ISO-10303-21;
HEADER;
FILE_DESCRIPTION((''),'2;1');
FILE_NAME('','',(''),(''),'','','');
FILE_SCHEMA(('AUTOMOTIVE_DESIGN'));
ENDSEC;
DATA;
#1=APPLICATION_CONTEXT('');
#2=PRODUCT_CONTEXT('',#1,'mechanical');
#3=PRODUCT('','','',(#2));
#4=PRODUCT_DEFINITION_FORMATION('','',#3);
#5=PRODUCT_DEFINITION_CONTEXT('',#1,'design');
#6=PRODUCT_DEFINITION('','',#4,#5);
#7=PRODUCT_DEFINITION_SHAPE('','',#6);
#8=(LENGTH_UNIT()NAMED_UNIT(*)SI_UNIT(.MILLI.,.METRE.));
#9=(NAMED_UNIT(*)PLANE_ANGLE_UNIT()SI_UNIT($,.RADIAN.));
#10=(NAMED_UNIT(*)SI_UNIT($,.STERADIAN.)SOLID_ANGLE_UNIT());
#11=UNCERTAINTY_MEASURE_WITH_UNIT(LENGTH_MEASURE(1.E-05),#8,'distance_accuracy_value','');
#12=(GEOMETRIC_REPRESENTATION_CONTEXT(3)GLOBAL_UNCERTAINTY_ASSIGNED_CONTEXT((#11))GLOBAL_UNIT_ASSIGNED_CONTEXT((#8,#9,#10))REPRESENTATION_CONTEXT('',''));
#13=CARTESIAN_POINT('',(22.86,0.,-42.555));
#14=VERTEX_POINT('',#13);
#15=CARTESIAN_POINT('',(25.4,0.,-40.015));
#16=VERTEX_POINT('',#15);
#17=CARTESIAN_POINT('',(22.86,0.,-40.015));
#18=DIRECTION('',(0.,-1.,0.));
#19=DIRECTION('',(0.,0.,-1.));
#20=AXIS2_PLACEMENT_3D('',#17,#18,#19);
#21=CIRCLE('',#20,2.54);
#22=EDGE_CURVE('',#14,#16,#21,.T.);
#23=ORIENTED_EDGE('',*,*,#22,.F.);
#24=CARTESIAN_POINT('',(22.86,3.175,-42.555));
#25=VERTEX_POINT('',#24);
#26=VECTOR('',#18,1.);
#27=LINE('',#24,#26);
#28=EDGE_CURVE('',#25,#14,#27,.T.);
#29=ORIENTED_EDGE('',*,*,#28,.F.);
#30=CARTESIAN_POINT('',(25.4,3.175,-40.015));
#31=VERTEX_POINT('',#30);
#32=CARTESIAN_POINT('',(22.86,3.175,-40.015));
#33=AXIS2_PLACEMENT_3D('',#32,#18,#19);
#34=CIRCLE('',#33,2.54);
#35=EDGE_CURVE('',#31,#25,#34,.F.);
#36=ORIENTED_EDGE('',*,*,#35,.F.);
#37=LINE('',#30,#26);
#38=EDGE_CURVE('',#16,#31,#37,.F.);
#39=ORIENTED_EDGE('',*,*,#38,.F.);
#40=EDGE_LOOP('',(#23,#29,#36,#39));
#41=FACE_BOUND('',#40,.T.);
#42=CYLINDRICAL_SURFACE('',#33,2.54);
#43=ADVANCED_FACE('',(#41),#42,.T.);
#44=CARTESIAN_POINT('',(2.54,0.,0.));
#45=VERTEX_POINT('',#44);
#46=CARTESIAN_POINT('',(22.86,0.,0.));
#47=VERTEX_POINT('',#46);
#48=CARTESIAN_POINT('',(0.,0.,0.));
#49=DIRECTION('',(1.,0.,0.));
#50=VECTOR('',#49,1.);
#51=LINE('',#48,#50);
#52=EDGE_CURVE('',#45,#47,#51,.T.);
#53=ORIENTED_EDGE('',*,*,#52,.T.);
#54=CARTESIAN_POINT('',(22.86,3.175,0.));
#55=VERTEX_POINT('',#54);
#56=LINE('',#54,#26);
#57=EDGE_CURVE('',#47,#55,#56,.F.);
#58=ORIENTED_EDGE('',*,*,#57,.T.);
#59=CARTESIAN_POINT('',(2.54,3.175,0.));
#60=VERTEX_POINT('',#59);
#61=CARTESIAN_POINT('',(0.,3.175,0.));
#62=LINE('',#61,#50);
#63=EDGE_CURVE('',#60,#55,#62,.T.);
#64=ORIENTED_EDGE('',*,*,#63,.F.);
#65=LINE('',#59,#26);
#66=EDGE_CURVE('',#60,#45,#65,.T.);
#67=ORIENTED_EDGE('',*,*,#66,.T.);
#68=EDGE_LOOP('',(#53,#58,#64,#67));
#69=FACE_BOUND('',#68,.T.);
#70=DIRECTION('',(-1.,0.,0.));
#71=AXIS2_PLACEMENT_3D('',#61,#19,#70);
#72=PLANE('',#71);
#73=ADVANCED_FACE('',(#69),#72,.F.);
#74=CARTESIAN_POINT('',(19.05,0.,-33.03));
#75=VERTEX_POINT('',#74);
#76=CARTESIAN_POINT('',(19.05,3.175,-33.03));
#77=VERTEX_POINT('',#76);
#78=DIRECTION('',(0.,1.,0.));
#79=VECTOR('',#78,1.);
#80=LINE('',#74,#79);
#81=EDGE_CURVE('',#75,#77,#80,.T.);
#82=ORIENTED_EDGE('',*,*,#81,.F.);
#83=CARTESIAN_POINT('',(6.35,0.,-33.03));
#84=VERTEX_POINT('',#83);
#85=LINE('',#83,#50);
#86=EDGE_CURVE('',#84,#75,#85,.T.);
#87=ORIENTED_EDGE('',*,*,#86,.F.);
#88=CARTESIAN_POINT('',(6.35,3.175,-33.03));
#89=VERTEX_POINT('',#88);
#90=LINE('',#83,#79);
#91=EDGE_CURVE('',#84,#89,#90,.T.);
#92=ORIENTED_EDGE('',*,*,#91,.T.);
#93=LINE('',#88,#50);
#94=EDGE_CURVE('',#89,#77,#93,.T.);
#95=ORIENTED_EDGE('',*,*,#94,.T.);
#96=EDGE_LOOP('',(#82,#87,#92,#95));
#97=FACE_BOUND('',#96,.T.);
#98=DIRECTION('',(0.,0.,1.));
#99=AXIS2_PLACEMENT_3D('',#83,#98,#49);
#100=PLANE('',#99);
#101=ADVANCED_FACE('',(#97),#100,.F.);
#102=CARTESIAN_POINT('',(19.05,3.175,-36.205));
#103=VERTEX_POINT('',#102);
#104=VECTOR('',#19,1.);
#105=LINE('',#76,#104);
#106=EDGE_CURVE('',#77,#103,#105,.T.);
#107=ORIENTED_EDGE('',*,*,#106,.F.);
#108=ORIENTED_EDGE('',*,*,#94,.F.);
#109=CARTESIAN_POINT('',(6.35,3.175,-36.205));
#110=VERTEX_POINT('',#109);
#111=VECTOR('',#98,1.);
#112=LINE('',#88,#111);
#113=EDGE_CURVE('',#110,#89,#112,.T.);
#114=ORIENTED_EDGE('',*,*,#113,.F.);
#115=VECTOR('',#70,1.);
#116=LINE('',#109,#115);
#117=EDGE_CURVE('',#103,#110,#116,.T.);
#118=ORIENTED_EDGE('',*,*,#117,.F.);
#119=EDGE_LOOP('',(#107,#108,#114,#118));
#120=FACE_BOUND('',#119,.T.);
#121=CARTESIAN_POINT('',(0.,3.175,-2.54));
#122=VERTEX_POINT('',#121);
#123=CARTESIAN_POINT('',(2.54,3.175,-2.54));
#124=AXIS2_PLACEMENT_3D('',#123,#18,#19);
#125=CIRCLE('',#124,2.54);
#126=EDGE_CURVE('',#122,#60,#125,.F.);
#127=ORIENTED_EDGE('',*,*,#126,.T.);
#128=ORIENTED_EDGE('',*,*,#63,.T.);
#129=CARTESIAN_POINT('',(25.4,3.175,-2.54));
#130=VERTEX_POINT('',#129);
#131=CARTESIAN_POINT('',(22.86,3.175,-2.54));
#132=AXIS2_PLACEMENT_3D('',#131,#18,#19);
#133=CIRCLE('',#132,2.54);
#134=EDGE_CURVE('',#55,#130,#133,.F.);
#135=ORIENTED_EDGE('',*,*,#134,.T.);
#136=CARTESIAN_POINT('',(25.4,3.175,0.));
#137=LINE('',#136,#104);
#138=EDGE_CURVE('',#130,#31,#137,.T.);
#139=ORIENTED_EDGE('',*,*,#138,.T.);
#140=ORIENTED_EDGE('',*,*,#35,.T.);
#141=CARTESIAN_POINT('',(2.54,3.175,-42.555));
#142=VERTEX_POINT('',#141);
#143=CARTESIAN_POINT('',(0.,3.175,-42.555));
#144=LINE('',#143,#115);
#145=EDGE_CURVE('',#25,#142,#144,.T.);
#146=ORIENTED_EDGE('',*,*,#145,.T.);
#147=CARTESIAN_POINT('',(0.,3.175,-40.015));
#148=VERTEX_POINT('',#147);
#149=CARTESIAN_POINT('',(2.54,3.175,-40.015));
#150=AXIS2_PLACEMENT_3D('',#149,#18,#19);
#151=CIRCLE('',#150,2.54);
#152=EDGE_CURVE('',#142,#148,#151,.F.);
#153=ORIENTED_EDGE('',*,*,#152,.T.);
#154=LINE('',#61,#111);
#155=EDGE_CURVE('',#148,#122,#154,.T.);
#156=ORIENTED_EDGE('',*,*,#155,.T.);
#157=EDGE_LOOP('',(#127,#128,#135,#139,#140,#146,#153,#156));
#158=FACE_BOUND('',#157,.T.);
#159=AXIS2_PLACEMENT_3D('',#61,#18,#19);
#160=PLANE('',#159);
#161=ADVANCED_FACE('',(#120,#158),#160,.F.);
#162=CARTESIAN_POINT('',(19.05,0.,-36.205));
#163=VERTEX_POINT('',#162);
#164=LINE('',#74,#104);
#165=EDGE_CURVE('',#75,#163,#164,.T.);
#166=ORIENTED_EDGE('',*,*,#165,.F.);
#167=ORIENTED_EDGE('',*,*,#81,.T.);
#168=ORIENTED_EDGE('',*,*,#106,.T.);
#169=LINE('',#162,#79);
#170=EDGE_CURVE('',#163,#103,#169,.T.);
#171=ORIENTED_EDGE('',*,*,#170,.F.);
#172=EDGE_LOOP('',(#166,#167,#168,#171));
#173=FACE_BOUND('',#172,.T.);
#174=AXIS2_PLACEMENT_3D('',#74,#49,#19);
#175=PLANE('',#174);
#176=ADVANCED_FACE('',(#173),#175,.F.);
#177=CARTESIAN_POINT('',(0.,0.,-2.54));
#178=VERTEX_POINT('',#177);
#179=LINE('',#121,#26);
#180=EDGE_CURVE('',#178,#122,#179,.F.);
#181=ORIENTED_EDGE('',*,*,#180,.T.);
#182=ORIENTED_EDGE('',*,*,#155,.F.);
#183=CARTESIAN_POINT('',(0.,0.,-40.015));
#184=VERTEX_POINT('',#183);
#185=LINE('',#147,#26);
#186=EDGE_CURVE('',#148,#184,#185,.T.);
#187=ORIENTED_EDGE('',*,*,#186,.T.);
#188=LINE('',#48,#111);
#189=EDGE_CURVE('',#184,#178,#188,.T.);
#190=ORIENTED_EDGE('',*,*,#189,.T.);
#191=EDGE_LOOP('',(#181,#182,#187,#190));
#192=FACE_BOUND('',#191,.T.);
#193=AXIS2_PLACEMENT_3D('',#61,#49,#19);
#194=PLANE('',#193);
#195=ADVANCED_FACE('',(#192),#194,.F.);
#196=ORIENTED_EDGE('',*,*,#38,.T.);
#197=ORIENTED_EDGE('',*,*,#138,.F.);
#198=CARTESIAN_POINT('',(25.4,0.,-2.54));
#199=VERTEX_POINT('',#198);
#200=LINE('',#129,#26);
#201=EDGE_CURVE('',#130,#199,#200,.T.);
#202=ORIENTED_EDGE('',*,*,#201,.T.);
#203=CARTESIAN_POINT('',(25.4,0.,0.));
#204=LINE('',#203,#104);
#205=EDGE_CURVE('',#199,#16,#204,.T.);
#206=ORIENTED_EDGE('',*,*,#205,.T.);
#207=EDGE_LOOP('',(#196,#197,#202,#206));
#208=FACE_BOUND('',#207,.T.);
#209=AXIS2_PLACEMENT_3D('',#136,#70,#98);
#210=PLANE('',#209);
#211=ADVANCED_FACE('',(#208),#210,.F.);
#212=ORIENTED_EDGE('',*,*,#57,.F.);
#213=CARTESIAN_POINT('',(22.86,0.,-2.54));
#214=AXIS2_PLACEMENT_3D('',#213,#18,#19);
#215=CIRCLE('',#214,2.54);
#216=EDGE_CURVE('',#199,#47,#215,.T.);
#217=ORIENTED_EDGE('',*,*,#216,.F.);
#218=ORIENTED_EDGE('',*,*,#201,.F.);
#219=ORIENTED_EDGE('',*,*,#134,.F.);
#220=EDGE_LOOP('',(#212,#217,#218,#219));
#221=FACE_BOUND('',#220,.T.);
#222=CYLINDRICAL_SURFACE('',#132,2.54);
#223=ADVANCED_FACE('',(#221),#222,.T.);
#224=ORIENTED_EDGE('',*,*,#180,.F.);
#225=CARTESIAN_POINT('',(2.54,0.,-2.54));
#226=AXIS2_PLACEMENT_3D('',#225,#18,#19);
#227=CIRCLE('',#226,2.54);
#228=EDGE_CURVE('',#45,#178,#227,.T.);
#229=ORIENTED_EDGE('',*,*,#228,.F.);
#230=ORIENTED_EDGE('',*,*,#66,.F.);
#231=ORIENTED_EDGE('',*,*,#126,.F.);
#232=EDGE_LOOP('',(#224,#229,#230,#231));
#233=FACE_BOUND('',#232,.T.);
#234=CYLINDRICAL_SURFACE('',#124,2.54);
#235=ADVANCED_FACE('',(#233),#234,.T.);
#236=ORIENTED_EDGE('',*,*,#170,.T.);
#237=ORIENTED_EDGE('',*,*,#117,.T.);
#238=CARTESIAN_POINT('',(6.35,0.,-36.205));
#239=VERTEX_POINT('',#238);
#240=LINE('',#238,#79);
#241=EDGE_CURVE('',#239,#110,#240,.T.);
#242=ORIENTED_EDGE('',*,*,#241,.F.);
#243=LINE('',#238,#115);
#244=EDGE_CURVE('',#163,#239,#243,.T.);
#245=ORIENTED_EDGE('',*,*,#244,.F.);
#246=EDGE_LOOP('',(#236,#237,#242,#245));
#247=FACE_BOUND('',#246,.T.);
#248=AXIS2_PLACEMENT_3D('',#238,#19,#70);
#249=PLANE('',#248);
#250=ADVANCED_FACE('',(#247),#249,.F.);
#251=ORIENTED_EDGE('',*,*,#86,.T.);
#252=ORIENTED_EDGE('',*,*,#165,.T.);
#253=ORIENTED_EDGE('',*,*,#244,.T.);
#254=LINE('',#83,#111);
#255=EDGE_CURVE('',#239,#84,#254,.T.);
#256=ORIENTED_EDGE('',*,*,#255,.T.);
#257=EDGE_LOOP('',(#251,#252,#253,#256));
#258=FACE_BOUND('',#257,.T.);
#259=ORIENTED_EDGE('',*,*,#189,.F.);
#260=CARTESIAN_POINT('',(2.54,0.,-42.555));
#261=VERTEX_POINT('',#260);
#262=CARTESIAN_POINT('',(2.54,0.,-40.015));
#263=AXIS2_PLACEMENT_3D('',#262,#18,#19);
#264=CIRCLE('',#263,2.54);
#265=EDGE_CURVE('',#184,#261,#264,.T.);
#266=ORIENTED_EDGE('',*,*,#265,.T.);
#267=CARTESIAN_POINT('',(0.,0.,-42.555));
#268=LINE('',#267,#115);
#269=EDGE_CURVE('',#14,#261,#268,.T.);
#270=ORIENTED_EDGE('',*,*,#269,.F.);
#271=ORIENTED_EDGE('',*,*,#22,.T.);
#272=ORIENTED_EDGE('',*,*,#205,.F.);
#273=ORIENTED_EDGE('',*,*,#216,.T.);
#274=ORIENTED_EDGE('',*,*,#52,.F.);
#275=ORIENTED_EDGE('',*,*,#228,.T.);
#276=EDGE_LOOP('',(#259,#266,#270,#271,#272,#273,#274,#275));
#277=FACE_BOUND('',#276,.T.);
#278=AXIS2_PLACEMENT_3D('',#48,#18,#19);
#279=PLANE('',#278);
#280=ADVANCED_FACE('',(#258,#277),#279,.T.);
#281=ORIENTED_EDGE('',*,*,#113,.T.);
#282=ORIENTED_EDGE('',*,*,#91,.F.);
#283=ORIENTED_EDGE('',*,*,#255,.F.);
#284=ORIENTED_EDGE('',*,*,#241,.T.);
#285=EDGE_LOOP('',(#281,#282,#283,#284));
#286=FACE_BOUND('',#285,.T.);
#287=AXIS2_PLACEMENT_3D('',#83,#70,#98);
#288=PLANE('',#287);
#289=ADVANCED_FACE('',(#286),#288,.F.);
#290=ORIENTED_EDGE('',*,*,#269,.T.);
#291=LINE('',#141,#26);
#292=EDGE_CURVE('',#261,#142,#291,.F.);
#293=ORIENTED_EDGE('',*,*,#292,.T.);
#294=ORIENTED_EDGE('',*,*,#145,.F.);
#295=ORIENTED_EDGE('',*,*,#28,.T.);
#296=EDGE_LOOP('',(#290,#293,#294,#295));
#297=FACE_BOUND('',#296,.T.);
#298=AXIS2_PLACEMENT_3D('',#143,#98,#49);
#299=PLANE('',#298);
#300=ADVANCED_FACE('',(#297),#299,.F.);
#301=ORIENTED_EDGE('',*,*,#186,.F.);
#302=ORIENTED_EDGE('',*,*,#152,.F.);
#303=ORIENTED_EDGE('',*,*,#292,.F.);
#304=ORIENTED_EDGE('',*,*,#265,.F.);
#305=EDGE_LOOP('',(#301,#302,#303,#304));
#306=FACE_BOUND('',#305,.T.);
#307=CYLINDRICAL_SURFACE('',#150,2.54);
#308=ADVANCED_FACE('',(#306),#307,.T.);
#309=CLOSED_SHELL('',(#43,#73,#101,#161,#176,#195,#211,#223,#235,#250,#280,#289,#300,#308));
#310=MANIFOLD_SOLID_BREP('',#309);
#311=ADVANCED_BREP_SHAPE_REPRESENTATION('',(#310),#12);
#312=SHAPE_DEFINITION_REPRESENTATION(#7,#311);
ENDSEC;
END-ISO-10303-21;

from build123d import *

# Parameters (mm, degrees)
SKETCH1_W           = 25.4
SKETCH1_H           = 42.555
BOSS_EXTRUDE1_DEPTH = 3.175
SKETCH2_W           = 12.7
SKETCH2_H           = 3.175
CUT_EXTRUDE1_DEPTH  = 50.660534129
FILLET1_R           = 2.54


with BuildPart() as part:
    # Sketch1 → Boss-Extrude1 (new body)
    with BuildSketch(Plane(origin=(0, 0, 0), x_dir=(1, 0, 0), z_dir=(0, 1, 0))):
        with Locations((12.7, 21.2775)):
            Rectangle(SKETCH1_W, SKETCH1_H)
    extrude(amount=BOSS_EXTRUDE1_DEPTH)

    # Sketch2 → Cut-Extrude1 (cut, through all)
    with BuildSketch(Plane(origin=(0, 3.175, 0), x_dir=(1, 0, 0), z_dir=(0, 1, 0))):
        with Locations((12.7, 34.6175)):
            Rectangle(SKETCH2_W, SKETCH2_H)
    extrude(amount=-CUT_EXTRUDE1_DEPTH, mode=Mode.SUBTRACT)

    # Fillet1
    fillet1_edges = [part.edges().sort_by_distance(p)[0] for p in [
        (0, 1.5875, -42.555),
        (25.4, 1.5875, -42.555),
        (25.4, 1.5875, 0),
        (0, 1.5875, 0),
    ]]
    fillet(fillet1_edges, radius=FILLET1_R)


solid = part.part
